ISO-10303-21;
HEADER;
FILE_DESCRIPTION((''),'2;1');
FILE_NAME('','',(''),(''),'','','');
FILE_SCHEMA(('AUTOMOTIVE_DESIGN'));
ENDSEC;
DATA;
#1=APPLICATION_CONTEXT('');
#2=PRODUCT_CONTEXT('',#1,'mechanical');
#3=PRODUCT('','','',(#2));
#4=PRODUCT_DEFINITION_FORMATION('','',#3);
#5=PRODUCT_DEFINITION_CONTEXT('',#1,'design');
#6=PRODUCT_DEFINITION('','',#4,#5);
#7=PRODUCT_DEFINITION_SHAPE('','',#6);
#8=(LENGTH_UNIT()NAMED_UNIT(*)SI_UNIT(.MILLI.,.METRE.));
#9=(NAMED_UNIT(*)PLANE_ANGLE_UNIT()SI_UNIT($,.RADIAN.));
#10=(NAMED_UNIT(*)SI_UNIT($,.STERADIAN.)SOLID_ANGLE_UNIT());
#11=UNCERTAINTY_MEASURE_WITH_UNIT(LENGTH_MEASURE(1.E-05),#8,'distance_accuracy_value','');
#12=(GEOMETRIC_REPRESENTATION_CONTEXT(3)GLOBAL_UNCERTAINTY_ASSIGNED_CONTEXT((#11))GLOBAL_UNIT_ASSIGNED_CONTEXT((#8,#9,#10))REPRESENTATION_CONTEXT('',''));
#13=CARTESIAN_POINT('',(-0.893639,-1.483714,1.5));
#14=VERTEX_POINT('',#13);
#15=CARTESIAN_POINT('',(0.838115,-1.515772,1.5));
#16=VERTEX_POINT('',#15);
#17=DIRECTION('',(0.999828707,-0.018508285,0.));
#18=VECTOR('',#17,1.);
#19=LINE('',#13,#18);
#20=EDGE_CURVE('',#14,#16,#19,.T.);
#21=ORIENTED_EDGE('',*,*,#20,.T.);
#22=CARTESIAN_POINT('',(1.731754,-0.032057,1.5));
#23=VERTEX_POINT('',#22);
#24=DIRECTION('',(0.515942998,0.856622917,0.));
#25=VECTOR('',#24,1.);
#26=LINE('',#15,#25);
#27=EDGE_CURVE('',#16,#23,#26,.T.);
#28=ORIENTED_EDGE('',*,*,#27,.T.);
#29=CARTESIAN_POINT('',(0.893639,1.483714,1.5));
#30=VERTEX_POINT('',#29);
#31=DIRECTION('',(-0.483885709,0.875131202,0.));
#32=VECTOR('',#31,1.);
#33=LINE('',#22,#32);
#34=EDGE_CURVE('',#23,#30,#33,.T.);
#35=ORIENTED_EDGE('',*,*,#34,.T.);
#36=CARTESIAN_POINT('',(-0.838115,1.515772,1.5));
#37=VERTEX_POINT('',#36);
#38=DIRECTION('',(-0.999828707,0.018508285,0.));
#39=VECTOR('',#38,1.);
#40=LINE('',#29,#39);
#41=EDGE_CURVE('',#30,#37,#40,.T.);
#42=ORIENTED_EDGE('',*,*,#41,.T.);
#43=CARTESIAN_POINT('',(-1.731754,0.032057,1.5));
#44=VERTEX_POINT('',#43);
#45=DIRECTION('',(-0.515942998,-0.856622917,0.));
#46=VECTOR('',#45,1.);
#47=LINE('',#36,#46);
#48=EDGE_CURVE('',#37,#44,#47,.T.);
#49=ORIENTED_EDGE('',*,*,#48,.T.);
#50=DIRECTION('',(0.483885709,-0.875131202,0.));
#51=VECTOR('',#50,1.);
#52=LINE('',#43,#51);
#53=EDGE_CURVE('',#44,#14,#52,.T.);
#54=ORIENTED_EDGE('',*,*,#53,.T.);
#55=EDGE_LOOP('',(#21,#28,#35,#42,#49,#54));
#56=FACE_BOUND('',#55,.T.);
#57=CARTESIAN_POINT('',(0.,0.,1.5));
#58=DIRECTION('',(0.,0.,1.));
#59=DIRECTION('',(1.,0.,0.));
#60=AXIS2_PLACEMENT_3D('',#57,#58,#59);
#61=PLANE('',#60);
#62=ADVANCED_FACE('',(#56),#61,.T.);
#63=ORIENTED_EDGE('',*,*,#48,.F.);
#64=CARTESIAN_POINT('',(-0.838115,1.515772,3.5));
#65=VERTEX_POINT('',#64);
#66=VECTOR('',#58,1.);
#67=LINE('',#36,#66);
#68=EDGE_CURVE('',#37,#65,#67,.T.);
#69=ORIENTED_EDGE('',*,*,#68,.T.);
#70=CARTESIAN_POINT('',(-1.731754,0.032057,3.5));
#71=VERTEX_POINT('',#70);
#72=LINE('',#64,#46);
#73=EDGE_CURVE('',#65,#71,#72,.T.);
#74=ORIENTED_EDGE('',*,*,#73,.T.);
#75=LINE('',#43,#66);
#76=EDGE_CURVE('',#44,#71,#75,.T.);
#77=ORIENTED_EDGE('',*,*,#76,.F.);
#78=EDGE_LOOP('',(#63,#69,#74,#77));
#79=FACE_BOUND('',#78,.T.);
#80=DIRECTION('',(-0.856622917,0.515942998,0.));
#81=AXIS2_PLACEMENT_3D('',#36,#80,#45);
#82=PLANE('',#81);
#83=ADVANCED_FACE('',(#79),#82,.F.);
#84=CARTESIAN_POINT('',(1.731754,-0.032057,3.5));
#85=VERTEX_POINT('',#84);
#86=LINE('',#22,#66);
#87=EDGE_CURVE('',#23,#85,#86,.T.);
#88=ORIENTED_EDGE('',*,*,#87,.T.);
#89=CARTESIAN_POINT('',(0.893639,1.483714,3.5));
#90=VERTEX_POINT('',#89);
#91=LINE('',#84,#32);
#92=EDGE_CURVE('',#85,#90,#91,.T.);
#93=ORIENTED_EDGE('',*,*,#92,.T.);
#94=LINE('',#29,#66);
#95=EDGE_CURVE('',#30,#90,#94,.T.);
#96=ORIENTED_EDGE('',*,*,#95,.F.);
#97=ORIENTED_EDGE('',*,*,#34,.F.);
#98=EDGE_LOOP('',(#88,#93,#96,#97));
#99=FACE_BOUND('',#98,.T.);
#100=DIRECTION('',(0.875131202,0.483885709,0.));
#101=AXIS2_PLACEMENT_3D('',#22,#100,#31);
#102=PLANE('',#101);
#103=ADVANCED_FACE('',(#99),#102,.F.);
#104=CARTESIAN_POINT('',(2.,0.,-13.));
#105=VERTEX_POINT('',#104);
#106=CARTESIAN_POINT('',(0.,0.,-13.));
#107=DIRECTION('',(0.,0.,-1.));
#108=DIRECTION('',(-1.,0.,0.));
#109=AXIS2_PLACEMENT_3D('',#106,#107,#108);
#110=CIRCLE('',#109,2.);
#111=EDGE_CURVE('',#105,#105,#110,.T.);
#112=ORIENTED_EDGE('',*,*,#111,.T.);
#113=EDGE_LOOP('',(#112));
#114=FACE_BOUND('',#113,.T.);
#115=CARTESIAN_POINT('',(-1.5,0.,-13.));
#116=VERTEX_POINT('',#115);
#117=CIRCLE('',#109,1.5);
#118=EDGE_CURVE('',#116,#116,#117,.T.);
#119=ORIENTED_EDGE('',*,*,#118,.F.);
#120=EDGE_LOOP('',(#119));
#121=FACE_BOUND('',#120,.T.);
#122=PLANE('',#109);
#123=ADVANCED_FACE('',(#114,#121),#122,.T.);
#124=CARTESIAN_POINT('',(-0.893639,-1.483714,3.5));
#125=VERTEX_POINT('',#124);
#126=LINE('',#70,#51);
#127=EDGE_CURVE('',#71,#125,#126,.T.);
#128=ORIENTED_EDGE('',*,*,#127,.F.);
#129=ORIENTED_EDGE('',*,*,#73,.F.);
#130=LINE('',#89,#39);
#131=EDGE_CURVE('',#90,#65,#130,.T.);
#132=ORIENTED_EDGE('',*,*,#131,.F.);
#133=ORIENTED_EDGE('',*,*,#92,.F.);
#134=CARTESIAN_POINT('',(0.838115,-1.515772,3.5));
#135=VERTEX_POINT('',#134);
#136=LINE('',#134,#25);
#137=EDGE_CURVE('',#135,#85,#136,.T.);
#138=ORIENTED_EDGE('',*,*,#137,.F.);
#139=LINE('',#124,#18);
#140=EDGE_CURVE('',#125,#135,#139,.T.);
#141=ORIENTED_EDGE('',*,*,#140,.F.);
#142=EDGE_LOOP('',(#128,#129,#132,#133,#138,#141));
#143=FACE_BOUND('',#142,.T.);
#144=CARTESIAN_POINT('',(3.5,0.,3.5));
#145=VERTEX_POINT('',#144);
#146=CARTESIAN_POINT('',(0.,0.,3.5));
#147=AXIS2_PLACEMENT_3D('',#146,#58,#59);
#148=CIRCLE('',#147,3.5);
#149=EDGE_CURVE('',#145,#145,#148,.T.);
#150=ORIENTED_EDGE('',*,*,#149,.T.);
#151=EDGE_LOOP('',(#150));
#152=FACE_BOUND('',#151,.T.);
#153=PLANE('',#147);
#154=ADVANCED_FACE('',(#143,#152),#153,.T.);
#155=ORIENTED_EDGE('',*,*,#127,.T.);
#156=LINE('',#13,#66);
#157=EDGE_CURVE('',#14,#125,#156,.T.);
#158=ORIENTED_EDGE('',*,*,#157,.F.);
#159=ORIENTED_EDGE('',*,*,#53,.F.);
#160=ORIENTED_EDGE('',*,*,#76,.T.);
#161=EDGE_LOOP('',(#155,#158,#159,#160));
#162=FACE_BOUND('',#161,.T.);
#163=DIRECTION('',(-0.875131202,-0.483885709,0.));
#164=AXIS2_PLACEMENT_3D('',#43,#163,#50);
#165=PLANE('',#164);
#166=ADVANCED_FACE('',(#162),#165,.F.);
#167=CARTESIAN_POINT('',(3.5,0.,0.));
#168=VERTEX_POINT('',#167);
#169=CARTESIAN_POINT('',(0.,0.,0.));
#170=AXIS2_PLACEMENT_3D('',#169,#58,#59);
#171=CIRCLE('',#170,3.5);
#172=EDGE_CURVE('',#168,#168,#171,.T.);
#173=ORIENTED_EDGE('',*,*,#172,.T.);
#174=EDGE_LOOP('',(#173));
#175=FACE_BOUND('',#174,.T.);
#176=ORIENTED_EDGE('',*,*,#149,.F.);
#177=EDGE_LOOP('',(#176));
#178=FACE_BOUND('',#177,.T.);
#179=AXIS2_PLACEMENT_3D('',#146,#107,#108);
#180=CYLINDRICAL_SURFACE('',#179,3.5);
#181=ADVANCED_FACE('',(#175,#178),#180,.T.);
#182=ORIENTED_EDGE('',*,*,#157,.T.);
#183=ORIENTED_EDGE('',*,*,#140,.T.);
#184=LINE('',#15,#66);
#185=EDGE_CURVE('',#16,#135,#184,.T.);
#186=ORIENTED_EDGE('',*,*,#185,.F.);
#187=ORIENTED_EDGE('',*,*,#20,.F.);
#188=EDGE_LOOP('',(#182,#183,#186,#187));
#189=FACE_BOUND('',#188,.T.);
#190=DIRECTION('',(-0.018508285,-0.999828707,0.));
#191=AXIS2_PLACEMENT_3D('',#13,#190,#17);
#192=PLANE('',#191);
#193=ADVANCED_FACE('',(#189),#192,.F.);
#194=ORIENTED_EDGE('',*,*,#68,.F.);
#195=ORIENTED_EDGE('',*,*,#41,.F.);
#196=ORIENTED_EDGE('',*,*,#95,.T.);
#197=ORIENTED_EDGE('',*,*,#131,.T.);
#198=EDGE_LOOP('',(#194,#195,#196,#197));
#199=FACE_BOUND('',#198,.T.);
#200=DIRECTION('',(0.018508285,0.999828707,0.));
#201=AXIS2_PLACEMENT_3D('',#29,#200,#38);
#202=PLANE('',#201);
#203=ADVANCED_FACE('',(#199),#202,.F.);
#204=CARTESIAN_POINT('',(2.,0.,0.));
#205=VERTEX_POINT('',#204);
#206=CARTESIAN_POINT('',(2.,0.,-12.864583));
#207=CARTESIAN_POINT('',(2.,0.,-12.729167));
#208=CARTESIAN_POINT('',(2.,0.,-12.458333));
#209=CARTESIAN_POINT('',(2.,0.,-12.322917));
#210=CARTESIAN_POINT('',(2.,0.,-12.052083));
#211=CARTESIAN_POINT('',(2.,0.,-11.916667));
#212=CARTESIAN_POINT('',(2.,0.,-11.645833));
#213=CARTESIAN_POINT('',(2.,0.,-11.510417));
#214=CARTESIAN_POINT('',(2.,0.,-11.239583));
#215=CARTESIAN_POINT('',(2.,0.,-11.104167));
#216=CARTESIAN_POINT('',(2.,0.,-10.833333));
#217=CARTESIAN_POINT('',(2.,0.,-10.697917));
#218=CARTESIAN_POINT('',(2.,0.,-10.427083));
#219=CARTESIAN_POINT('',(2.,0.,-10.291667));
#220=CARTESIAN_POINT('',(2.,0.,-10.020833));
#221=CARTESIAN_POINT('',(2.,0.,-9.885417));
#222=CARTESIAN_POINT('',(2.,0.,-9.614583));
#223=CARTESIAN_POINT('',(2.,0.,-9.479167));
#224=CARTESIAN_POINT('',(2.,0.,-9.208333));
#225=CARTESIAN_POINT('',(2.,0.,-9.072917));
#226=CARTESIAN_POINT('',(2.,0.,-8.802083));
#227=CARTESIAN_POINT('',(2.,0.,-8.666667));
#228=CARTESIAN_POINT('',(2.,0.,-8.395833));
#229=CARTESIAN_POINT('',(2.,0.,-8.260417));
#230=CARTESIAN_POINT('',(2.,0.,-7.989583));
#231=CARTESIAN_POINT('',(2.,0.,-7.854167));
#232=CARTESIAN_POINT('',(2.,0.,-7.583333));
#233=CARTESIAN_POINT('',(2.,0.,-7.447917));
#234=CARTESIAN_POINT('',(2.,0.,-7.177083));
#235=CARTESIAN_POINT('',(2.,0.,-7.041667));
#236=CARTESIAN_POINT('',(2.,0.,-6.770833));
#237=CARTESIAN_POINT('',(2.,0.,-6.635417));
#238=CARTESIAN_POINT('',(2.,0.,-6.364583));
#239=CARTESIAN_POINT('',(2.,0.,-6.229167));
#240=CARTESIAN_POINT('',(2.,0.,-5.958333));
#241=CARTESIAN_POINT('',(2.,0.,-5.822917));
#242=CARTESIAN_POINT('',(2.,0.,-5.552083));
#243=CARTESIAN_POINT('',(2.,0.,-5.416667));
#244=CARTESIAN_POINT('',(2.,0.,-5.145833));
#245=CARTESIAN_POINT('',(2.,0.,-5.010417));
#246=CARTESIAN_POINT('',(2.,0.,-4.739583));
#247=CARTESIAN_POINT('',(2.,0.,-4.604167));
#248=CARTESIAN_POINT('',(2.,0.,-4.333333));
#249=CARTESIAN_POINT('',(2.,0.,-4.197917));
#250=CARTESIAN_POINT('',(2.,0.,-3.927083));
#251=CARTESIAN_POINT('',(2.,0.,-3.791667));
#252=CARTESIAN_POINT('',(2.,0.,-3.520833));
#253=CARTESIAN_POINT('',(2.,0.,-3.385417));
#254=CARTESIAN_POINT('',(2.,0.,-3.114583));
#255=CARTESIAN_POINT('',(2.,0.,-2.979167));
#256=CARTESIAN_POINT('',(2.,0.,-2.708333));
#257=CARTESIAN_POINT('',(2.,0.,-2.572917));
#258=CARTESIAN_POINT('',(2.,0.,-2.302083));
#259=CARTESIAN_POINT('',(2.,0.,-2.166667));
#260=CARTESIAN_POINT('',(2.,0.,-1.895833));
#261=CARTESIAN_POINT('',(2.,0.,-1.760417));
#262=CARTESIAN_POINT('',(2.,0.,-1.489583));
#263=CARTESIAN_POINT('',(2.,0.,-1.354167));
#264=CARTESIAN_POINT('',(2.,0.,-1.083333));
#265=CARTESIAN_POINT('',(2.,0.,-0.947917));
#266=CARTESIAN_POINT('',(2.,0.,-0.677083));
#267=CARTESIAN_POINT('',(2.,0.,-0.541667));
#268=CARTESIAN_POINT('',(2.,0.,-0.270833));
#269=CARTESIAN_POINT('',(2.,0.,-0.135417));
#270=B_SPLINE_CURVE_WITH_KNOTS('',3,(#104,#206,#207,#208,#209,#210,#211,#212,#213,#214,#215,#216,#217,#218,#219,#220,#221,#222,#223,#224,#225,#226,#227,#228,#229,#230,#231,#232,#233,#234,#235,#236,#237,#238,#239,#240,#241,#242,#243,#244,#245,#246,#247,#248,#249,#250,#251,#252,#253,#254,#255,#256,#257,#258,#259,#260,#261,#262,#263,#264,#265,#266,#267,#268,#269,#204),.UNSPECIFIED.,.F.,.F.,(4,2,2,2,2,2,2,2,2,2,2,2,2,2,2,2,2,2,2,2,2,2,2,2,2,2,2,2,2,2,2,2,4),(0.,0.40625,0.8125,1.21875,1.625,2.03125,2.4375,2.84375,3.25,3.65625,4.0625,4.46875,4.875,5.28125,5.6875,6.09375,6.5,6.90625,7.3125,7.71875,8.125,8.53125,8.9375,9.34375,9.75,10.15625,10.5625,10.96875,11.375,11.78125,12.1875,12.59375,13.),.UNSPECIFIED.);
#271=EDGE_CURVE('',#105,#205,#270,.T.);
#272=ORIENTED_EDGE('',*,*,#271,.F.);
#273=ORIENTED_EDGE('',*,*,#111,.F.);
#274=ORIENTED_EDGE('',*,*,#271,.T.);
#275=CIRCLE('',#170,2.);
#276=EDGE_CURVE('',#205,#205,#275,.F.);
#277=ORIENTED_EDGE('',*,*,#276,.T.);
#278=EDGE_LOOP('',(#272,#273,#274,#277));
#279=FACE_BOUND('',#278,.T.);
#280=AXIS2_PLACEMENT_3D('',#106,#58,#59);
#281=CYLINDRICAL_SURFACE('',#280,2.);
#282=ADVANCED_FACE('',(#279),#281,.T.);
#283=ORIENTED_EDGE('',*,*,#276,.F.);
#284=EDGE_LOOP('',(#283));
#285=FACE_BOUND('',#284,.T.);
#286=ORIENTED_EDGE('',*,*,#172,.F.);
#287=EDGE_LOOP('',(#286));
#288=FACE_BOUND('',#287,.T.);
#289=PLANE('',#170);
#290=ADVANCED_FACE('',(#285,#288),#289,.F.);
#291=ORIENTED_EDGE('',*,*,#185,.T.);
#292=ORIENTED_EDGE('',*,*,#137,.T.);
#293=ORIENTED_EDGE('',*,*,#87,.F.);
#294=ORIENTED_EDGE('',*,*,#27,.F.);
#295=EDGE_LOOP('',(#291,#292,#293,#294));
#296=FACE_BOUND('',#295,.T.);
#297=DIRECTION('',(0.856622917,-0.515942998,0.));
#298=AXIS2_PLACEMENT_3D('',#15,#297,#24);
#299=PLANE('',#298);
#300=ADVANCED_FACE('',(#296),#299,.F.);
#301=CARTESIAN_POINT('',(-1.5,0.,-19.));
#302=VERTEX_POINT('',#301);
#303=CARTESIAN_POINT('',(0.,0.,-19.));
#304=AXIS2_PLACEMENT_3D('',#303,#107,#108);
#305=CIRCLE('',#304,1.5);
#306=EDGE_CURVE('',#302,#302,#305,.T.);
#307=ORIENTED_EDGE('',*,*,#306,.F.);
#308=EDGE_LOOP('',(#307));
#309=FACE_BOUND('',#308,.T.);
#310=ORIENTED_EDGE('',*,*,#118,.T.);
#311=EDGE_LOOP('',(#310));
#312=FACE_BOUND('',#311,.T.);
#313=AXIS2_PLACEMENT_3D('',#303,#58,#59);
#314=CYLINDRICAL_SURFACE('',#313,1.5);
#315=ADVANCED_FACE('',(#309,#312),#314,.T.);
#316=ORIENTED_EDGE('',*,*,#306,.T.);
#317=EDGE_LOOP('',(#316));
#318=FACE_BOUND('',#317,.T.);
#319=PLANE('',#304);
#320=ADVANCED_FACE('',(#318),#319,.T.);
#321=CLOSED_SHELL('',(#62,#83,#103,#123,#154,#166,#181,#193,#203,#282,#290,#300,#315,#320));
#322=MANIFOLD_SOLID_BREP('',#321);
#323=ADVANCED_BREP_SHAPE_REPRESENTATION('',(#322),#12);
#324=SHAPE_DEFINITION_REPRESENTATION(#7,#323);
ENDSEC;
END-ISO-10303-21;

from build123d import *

# Parameters (mm, degrees)
SKETCH_1_R          = 3.5
EXTRUDE_1_DEPTH     = 3.5
CUT_EXTRUDE_1_DEPTH = 2
SKETCH_3_R          = 2
EXTRUDE_2_DEPTH     = 13
SKETCH_4_R          = 1.5
EXTRUDE_3_DEPTH     = 6


with BuildPart() as part:
    # 草图1 → 凸台-拉伸1 (new body)
    with BuildSketch(Plane.XY):
        Circle(SKETCH_1_R)
    extrude(amount=EXTRUDE_1_DEPTH)

    # 草图2 → 切除-拉伸1 (cut)
    with BuildSketch(Plane.XY.offset(3.5)):
        Polygon((0.893639487, 1.483714416), (-0.838114632, 1.515771705), (-1.731754119, 0.03205729), (-0.893639487, -1.483714416), (0.838114632, -1.515771705), (1.731754119, -0.03205729), align=None)
    extrude(amount=-CUT_EXTRUDE_1_DEPTH, mode=Mode.SUBTRACT)

    # 草图3 → 凸台-拉伸2 (add)
    with BuildSketch(Plane(origin=(0, 0, 0), x_dir=(-1, 0, 0), z_dir=(0, 0, -1))):
        with Locations(Location((0, 0, 0), (0, 0, 180))):
            Circle(SKETCH_3_R)
    extrude(amount=EXTRUDE_2_DEPTH)

    # 草图4 → 凸台-拉伸3 (add)
    with BuildSketch(Plane(origin=(0, 0, -13), x_dir=(-1, 0, 0), z_dir=(0, 0, -1))):
        Circle(SKETCH_4_R)
    extrude(amount=EXTRUDE_3_DEPTH)


solid = part.part
